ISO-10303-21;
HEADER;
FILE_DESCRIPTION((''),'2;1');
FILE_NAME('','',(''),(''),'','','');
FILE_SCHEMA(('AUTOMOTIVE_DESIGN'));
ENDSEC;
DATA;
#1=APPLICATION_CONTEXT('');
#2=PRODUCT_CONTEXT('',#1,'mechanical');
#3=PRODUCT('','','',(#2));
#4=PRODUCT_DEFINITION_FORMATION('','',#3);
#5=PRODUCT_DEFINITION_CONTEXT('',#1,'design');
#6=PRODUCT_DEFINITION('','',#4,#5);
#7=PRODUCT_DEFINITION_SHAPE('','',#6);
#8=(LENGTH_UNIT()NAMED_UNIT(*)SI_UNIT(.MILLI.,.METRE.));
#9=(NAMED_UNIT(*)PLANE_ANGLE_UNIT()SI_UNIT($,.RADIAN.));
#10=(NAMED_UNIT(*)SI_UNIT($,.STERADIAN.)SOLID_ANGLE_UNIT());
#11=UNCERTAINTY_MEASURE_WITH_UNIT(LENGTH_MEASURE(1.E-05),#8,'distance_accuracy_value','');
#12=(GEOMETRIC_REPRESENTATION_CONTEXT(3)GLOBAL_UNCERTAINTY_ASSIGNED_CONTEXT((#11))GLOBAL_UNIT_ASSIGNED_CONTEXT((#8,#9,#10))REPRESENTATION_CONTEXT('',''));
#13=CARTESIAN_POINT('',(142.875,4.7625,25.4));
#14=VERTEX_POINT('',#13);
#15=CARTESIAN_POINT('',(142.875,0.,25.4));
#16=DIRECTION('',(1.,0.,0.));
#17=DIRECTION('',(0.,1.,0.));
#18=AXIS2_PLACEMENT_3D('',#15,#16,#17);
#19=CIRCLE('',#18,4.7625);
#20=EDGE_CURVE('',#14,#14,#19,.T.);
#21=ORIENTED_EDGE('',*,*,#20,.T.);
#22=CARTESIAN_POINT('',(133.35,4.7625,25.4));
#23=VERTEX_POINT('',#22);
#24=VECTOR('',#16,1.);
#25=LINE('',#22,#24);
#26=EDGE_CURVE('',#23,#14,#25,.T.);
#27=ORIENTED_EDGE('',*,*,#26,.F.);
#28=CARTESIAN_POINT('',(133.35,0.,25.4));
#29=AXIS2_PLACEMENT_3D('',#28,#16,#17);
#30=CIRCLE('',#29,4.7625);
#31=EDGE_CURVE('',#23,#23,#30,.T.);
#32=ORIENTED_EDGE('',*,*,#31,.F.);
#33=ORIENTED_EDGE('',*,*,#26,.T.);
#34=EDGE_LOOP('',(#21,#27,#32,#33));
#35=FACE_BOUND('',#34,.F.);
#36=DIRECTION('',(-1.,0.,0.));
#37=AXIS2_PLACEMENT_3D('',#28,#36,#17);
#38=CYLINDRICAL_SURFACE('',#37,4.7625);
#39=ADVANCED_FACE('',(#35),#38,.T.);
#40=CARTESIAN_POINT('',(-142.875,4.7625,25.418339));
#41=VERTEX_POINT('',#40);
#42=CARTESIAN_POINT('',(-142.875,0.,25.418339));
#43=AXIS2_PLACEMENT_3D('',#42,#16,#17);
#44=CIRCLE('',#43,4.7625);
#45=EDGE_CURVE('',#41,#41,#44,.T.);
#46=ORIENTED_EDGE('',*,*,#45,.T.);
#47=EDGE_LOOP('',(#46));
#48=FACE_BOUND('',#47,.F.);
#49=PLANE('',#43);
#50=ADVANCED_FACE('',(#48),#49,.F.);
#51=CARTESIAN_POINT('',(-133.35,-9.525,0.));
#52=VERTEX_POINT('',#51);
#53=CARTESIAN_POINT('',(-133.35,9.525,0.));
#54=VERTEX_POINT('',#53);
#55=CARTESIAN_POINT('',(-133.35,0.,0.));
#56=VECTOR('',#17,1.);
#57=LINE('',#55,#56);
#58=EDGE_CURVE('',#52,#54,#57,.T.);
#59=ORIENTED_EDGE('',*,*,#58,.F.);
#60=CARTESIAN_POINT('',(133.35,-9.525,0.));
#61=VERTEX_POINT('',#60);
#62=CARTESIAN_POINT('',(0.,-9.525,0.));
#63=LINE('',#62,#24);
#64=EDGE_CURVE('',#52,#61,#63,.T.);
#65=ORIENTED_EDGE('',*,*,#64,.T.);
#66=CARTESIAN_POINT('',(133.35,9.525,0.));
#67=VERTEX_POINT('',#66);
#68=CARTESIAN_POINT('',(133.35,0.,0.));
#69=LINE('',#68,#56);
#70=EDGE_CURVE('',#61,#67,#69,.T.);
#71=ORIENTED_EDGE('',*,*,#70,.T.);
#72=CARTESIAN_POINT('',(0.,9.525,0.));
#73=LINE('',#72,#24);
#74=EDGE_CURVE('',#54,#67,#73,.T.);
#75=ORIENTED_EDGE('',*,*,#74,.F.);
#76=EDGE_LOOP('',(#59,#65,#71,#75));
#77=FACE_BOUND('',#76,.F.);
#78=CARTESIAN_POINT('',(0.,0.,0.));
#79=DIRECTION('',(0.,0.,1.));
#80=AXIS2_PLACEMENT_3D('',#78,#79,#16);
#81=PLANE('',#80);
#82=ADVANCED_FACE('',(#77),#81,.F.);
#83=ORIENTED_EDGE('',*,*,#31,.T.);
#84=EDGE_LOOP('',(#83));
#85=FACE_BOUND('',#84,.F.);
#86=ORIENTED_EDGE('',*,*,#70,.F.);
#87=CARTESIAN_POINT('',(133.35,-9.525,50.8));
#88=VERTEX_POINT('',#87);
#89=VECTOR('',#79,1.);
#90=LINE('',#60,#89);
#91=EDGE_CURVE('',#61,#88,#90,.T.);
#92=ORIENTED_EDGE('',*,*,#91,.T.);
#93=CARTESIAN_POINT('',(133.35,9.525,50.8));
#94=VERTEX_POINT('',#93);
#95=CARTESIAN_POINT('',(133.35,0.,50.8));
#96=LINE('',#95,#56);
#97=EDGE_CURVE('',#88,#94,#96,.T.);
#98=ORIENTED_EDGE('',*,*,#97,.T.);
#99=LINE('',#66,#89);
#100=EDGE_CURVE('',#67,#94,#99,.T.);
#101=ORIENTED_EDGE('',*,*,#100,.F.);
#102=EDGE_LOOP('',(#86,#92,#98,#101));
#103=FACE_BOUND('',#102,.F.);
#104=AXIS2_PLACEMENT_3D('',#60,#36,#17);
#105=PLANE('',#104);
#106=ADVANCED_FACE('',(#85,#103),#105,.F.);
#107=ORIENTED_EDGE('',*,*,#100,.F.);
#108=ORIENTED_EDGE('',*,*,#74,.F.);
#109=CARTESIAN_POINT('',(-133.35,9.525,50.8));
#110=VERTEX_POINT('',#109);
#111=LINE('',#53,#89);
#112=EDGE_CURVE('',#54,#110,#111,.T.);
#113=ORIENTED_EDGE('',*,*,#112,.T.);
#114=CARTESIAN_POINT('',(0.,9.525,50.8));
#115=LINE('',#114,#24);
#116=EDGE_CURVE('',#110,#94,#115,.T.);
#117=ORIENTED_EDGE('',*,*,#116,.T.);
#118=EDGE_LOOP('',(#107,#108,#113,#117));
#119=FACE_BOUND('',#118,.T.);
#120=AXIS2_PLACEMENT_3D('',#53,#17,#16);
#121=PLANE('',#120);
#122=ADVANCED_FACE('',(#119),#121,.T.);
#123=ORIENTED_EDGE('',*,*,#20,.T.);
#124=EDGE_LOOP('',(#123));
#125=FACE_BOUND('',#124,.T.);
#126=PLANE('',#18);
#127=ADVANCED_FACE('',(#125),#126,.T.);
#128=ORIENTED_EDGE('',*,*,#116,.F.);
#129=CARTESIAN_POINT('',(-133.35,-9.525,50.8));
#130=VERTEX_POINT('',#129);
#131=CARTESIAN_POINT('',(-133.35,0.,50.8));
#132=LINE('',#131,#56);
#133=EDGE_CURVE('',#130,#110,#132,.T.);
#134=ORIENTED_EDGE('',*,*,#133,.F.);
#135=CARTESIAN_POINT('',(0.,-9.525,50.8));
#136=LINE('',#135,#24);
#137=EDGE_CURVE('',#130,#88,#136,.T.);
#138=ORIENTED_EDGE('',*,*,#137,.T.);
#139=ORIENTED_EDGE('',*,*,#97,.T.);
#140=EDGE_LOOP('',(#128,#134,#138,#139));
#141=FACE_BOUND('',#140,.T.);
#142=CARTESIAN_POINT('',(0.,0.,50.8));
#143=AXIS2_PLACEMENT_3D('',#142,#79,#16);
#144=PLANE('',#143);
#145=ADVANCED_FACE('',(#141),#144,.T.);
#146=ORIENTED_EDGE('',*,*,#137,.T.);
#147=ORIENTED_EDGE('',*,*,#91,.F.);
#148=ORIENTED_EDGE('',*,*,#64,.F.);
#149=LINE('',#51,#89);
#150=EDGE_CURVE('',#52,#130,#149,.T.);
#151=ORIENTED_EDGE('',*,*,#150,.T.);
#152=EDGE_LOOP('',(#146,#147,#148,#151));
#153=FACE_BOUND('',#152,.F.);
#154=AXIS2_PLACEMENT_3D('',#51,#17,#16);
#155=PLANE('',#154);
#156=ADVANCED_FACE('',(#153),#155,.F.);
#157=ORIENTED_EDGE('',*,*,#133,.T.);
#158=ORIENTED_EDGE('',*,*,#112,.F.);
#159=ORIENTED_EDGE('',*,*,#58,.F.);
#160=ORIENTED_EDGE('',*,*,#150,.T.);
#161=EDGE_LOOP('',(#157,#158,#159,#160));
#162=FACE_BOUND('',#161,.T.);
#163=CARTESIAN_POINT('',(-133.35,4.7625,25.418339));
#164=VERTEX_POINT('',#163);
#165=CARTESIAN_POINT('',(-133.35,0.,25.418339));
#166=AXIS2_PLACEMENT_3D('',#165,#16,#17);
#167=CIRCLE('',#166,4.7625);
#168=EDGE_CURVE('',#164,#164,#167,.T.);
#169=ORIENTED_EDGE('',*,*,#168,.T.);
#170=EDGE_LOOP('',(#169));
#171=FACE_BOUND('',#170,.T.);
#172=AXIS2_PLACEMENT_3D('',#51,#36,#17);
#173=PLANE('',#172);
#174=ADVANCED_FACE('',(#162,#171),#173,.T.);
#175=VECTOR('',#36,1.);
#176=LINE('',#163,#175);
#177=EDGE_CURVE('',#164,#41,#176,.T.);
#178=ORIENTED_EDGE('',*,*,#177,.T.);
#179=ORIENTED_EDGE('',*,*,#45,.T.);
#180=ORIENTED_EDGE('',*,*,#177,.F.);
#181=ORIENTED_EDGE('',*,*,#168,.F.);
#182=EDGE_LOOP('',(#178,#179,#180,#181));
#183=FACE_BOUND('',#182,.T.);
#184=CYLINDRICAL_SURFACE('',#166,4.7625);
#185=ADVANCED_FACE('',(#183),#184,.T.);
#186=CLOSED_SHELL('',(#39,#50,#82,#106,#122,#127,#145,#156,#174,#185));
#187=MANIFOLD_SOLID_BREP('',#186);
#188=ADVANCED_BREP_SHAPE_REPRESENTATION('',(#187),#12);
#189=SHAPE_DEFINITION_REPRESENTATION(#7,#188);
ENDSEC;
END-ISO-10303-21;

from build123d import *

# Parameters (mm, degrees)
F0_W     = 266.7
F0_H     = 19.05
F1_DEPTH = 50.8
F3_R     = 4.7625
F4_DEPTH = 9.525
F6_R     = 4.7625
F7_DEPTH = 9.525


with BuildPart() as f1:
    # F0 (on Top) → F1 (new body)
    with BuildSketch(Plane.XY):
        Rectangle(F0_W, F0_H)
    extrude(amount=F1_DEPTH)

    # F3 (on offset) → F4 (join)
    with BuildSketch(Plane.YZ.offset(133.35)):
        with Locations((0, 25.4)):
            Circle(F3_R)
    extrude(amount=F4_DEPTH)

    # F6 (on offset) → F7 (join)
    with BuildSketch(Plane.YZ.offset(-133.35)):
        with Locations((0, 25.418339)):
            Circle(F6_R)
    extrude(amount=-F7_DEPTH)


solid = f1.part
